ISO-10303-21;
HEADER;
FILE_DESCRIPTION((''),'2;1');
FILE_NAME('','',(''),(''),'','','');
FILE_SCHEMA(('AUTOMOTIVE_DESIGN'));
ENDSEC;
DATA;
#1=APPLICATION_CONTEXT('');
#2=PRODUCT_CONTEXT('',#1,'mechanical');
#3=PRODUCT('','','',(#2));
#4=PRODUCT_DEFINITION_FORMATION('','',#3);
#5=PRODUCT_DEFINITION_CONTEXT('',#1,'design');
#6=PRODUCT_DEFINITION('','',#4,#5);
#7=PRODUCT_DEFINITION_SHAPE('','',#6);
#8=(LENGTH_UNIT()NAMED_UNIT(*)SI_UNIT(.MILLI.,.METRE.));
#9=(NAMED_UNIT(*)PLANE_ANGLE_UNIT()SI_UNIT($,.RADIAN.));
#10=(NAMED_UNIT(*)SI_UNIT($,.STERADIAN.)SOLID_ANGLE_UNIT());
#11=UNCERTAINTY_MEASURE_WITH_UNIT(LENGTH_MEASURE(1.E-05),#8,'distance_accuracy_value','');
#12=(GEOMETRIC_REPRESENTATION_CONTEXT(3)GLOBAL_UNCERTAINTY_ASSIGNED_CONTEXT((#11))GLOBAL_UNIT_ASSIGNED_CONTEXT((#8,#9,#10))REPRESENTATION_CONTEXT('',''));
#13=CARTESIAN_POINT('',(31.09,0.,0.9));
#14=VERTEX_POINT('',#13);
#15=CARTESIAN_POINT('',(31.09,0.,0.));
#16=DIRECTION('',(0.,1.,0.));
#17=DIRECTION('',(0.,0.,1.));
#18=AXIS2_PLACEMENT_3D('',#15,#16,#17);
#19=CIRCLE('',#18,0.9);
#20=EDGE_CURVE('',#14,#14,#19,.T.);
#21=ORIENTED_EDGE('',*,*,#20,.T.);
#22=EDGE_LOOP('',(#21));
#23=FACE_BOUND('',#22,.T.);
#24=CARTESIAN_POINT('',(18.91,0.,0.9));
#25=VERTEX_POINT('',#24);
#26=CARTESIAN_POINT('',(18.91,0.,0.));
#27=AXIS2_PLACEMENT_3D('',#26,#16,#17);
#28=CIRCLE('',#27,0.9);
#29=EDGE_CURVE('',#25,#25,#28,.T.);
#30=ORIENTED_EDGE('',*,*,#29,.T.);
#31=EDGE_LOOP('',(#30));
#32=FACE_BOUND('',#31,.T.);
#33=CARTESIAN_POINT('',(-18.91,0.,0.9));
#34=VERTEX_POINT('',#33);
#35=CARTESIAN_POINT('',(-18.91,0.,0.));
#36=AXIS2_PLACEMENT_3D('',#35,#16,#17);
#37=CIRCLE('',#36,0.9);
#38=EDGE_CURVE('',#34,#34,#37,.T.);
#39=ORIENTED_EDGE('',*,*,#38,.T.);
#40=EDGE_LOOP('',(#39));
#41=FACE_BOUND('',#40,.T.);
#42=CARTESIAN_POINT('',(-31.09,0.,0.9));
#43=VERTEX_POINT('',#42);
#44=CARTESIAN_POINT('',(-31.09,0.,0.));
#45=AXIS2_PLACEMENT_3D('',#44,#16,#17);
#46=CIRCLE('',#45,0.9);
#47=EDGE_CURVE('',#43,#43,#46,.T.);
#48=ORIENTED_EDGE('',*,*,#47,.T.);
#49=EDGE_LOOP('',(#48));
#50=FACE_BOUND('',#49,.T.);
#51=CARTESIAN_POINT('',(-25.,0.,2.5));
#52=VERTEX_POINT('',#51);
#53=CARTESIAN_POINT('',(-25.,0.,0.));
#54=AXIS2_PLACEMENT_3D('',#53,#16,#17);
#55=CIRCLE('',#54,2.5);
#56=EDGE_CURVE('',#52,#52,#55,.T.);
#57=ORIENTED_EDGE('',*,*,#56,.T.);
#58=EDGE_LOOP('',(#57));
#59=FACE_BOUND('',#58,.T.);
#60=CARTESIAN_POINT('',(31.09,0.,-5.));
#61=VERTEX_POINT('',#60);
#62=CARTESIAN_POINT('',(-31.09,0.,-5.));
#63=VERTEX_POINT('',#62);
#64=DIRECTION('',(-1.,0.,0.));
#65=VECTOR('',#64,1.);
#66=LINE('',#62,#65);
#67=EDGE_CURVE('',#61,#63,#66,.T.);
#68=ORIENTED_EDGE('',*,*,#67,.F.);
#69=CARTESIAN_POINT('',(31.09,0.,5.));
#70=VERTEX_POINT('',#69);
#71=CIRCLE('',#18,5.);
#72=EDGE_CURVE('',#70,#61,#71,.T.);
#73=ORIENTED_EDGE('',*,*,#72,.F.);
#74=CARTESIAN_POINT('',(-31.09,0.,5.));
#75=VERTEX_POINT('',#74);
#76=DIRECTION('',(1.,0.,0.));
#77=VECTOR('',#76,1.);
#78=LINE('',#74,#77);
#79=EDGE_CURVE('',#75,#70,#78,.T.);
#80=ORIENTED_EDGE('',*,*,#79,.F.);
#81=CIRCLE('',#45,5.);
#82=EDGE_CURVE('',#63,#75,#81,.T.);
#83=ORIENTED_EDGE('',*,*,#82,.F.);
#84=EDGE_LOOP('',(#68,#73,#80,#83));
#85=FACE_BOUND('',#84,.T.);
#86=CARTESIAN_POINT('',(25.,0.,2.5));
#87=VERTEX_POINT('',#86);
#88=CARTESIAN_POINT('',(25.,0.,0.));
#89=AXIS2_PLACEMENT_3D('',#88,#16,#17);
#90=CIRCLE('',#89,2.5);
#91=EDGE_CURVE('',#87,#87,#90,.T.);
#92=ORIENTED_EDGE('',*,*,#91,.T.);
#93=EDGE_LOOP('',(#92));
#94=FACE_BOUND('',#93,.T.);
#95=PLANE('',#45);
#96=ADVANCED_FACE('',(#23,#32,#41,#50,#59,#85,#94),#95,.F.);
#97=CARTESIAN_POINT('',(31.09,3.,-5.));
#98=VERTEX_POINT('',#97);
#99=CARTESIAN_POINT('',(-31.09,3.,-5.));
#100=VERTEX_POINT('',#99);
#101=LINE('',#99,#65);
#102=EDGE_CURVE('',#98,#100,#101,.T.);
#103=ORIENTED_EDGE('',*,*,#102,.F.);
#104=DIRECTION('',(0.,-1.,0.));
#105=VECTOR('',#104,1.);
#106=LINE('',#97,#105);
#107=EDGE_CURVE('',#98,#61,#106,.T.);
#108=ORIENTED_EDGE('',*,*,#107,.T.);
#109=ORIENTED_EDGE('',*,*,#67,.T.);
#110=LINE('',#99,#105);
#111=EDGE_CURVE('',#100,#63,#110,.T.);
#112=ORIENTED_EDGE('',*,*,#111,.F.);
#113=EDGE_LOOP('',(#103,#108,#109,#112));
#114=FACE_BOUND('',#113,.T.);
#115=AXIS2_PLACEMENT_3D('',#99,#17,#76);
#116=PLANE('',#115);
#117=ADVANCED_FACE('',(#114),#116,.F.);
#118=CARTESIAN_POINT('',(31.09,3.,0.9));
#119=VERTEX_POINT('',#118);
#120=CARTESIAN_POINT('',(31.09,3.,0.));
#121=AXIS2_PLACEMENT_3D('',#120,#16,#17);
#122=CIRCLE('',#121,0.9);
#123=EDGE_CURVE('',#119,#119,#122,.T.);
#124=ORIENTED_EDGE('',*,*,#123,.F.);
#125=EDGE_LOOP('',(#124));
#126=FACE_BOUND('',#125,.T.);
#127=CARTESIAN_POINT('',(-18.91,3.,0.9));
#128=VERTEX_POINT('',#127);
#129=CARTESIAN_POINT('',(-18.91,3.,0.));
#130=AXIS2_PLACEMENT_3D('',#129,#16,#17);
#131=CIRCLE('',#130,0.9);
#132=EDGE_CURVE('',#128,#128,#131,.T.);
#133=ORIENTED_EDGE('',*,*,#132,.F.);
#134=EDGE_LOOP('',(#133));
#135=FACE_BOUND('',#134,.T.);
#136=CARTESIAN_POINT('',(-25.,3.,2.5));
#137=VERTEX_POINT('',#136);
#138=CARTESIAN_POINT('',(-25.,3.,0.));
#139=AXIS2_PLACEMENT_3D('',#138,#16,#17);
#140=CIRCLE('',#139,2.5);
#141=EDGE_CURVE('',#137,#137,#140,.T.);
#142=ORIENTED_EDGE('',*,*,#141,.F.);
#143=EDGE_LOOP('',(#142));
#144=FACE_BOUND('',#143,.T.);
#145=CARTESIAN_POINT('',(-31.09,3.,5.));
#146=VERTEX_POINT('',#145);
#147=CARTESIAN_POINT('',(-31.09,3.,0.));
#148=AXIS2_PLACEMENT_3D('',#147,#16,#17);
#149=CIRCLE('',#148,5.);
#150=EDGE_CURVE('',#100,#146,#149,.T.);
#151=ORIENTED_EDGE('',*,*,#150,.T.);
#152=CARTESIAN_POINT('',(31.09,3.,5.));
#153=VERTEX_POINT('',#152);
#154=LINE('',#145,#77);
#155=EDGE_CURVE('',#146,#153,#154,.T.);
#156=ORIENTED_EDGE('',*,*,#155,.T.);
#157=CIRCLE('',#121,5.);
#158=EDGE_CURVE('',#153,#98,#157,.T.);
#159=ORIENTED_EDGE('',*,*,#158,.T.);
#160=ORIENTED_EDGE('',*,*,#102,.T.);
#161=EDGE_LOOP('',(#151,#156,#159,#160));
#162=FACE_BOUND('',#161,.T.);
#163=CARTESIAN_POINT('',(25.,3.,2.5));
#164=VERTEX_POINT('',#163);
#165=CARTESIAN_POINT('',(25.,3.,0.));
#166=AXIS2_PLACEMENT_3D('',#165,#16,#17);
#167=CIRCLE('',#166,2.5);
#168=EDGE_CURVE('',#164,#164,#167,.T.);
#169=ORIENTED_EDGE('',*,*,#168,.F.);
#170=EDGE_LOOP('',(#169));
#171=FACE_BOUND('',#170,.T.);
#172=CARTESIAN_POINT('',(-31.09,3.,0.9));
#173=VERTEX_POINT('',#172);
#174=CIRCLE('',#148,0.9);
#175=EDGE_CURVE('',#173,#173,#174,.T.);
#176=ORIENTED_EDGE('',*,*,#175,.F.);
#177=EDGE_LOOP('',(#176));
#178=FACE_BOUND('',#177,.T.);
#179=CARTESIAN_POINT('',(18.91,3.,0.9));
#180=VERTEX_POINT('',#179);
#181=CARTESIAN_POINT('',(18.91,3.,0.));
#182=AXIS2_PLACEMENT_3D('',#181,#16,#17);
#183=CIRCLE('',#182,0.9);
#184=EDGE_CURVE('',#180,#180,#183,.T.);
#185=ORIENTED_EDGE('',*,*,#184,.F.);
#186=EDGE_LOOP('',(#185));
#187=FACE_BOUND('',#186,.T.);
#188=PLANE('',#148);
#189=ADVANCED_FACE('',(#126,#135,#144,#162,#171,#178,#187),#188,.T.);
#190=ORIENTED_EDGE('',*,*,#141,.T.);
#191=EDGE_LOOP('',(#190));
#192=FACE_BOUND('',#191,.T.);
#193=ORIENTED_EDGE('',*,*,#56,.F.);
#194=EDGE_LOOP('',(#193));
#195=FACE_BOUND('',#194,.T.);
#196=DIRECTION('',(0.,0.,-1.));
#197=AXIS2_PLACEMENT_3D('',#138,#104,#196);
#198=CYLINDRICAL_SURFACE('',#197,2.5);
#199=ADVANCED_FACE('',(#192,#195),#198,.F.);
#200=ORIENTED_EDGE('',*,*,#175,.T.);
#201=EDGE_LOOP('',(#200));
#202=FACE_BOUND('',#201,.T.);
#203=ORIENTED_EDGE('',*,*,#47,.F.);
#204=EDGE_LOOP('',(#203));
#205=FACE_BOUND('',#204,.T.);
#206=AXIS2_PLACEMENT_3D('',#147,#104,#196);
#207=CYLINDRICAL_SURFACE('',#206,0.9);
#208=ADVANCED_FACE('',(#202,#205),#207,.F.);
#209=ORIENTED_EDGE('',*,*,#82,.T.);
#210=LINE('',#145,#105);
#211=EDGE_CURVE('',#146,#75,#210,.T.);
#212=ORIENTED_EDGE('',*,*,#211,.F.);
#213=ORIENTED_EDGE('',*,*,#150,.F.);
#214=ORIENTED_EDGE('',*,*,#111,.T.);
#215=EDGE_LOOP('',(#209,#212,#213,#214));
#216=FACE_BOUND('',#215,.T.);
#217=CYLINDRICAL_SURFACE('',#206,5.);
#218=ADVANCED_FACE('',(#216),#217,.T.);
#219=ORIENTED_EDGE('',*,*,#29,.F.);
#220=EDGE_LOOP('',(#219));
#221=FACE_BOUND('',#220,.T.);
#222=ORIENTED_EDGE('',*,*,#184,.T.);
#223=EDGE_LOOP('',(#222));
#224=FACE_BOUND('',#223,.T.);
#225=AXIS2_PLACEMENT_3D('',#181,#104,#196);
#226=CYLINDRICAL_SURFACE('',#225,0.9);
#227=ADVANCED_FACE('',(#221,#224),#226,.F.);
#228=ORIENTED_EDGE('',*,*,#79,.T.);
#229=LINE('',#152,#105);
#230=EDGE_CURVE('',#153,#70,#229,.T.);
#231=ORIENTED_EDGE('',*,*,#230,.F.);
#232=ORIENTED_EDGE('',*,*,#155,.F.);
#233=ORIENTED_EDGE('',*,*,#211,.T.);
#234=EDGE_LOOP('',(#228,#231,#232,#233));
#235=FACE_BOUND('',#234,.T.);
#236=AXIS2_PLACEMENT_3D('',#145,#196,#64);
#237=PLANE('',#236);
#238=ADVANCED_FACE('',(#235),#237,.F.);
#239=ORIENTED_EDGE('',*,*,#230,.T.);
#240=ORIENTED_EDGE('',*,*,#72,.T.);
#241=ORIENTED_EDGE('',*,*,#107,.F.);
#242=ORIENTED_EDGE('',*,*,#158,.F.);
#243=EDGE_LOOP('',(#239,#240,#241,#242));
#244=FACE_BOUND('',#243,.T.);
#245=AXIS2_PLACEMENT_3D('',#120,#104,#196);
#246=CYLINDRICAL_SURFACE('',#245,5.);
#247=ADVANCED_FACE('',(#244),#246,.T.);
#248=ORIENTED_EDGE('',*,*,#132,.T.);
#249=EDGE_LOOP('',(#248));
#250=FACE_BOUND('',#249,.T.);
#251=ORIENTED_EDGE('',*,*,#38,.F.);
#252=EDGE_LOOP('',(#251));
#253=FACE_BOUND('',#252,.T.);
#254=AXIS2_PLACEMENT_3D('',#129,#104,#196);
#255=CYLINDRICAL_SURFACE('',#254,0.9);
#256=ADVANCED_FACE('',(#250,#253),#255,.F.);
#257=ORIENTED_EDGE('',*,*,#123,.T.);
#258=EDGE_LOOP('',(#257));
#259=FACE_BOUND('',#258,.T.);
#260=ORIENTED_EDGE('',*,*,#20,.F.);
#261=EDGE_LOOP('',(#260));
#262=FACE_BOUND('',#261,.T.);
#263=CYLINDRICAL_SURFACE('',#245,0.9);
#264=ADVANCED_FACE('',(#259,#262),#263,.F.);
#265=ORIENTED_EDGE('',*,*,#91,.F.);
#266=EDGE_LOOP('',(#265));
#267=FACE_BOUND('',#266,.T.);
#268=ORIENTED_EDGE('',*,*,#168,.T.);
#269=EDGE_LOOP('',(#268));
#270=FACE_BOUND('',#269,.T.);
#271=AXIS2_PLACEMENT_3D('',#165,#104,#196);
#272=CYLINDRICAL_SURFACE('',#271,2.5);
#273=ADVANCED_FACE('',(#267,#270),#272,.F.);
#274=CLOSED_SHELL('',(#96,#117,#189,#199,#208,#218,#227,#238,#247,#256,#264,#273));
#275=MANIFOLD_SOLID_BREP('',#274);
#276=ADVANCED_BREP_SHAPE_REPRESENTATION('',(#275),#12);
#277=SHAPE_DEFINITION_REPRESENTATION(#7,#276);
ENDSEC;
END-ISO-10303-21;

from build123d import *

# Parameters (mm, degrees)
CROQUIS1_R              = 2.5
CROQUIS1_R_2            = 0.9
SALIENTE_EXTRUIR1_DEPTH = 3


with BuildPart() as part:
    # Croquis1 → Saliente-Extruir1 (new body)
    with BuildSketch(Plane(origin=(0, 0, 0), x_dir=(1, 0, 0), z_dir=(0, 1, 0))):
        with BuildLine():
            Line((-31.09, 5), (31.09, 5))
            ThreePointArc((31.09, 5), (36.09, 0), (31.09, -5))
            Line((31.09, -5), (-31.09, -5))
            ThreePointArc((-31.09, -5), (-36.09, 0), (-31.09, 5))
        make_face()
        with Locations(Location((-25, 0, 0), (0, 0, 270))):
            Circle(CROQUIS1_R, mode=Mode.SUBTRACT)
        with Locations(Location((25, 0, 0), (0, 0, 270))):
            Circle(CROQUIS1_R, mode=Mode.SUBTRACT)
        with Locations(Location((-18.91, 0, 0), (0, 0, 270))):
            Circle(CROQUIS1_R_2, mode=Mode.SUBTRACT)
        with Locations(Location((18.91, 0, 0), (0, 0, 270))):
            Circle(CROQUIS1_R_2, mode=Mode.SUBTRACT)
        with Locations(Location((-31.09, 0, 0), (0, 0, 270))):
            Circle(CROQUIS1_R_2, mode=Mode.SUBTRACT)
        with Locations(Location((31.09, 0, 0), (0, 0, 270))):
            Circle(CROQUIS1_R_2, mode=Mode.SUBTRACT)
    extrude(amount=SALIENTE_EXTRUIR1_DEPTH)


solid = part.part
